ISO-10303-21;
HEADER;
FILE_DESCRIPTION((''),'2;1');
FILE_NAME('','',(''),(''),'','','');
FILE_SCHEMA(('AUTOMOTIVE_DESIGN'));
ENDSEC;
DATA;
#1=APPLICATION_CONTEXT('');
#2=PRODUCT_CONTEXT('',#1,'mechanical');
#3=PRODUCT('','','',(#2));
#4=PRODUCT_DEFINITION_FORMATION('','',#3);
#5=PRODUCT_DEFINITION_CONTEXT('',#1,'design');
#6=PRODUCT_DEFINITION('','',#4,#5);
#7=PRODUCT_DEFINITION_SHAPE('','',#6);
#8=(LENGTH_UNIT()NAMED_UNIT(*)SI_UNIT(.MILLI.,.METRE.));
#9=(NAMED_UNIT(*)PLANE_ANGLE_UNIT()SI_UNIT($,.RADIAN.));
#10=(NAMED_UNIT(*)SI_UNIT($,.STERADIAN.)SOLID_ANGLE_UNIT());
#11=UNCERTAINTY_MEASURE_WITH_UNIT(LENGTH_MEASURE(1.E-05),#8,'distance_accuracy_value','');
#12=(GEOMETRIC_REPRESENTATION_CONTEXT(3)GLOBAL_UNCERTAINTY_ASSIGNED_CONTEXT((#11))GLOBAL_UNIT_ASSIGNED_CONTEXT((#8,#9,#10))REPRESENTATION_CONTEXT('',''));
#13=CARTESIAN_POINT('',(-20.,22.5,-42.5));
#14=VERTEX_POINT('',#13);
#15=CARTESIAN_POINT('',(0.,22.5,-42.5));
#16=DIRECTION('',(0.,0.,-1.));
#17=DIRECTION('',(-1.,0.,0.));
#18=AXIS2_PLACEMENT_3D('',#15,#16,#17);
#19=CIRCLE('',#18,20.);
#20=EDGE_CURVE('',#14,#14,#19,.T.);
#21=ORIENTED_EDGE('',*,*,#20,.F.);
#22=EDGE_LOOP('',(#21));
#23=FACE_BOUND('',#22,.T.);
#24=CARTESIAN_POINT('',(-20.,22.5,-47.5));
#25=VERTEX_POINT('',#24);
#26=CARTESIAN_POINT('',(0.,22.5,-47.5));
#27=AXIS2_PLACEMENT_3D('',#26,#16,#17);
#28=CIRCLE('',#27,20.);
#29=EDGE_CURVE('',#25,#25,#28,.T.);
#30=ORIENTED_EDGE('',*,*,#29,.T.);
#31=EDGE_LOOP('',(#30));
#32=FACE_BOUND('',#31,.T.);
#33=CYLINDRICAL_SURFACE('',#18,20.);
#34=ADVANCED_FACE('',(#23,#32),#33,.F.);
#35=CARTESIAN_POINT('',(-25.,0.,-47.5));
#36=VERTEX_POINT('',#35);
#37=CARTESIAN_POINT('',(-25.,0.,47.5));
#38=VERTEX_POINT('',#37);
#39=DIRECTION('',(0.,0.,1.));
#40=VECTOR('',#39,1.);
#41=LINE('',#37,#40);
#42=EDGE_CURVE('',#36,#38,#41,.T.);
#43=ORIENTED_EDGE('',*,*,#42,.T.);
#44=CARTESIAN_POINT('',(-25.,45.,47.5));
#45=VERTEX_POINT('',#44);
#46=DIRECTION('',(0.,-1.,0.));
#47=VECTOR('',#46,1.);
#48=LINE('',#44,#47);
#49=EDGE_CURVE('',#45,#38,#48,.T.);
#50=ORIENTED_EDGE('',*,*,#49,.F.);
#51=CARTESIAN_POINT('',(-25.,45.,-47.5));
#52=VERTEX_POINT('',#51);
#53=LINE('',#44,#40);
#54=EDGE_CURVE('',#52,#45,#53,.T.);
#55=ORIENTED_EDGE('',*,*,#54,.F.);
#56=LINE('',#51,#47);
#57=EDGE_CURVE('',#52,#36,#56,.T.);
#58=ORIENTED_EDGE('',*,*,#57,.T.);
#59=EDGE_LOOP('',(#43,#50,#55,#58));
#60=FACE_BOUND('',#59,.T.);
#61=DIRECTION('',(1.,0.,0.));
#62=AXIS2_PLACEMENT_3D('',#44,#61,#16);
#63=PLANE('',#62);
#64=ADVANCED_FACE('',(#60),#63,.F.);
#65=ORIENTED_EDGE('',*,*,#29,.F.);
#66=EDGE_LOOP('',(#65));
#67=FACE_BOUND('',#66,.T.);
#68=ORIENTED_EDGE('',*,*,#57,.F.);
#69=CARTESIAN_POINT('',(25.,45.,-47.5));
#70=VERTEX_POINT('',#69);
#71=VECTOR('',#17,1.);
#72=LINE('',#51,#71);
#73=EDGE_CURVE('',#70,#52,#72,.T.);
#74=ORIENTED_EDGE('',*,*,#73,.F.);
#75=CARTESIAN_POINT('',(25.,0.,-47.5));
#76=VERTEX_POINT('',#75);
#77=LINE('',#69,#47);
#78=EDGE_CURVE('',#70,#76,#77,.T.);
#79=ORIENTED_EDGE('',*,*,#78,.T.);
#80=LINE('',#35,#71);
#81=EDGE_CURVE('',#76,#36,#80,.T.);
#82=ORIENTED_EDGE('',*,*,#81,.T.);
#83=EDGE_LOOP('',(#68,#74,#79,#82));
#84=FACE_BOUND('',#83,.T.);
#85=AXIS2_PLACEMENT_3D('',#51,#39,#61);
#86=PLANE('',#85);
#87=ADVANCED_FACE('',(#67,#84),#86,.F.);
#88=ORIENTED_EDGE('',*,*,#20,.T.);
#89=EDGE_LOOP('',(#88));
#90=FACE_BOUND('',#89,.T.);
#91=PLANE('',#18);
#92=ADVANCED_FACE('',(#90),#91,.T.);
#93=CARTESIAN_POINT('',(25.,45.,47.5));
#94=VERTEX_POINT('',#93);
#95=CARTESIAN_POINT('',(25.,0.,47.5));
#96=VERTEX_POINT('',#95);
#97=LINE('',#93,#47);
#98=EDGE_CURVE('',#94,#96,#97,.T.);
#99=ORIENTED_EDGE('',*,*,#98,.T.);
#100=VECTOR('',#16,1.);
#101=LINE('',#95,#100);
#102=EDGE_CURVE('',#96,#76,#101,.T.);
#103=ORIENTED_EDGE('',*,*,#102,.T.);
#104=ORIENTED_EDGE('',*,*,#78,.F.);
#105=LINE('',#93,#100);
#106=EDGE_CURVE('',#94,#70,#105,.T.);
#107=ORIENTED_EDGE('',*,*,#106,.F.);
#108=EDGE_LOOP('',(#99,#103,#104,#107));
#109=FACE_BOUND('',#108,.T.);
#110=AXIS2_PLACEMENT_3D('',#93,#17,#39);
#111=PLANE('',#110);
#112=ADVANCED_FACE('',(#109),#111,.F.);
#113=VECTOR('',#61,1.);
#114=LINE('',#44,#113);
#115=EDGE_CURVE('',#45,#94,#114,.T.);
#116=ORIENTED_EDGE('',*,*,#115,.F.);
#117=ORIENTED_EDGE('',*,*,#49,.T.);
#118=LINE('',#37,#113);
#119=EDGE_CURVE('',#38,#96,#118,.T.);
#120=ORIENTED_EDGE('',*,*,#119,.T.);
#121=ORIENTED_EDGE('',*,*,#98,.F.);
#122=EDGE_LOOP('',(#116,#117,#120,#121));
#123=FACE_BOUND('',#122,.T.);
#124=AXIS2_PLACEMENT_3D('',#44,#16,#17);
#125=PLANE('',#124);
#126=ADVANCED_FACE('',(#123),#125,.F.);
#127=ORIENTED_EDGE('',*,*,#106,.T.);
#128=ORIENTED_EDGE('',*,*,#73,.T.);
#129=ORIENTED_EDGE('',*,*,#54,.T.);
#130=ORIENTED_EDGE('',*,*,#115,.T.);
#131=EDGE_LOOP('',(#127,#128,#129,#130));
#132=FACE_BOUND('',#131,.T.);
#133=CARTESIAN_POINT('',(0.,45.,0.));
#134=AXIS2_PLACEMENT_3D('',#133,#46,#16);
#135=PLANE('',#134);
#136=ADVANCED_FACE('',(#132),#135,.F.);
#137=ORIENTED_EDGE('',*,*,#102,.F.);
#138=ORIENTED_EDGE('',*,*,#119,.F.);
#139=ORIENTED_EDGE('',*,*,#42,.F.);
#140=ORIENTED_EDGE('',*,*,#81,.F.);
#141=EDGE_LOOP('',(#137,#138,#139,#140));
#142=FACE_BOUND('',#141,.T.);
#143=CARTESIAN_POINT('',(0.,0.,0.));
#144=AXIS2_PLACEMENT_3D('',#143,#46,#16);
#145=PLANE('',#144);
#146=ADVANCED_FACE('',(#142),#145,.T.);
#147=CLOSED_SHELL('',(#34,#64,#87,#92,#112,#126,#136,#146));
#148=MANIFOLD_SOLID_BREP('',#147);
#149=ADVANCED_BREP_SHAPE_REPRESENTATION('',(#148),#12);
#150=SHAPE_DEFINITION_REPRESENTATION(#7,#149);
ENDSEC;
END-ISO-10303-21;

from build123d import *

# Parameters (mm, degrees)
SKETCH1_W           = 50
SKETCH1_H           = 95
BOSS_EXTRUDE1_DEPTH = 45
SKETCH2_R           = 20
CUT_EXTRUDE1_DEPTH  = 5


with BuildPart() as part:
    # Sketch1 → Boss-Extrude1 (new body)
    with BuildSketch(Plane(origin=(0, 0, 0), x_dir=(1, 0, 0), z_dir=(0, 1, 0))):
        Rectangle(SKETCH1_W, SKETCH1_H)
    extrude(amount=BOSS_EXTRUDE1_DEPTH)

    # Sketch2 → Cut-Extrude1 (cut)
    with BuildSketch(Plane(origin=(0, 0, -47.5), x_dir=(-1, 0, 0), z_dir=(0, 0, -1))):
        with Locations((0, 22.5)):
            Circle(SKETCH2_R)
    extrude(amount=-CUT_EXTRUDE1_DEPTH, mode=Mode.SUBTRACT)


solid = part.part
